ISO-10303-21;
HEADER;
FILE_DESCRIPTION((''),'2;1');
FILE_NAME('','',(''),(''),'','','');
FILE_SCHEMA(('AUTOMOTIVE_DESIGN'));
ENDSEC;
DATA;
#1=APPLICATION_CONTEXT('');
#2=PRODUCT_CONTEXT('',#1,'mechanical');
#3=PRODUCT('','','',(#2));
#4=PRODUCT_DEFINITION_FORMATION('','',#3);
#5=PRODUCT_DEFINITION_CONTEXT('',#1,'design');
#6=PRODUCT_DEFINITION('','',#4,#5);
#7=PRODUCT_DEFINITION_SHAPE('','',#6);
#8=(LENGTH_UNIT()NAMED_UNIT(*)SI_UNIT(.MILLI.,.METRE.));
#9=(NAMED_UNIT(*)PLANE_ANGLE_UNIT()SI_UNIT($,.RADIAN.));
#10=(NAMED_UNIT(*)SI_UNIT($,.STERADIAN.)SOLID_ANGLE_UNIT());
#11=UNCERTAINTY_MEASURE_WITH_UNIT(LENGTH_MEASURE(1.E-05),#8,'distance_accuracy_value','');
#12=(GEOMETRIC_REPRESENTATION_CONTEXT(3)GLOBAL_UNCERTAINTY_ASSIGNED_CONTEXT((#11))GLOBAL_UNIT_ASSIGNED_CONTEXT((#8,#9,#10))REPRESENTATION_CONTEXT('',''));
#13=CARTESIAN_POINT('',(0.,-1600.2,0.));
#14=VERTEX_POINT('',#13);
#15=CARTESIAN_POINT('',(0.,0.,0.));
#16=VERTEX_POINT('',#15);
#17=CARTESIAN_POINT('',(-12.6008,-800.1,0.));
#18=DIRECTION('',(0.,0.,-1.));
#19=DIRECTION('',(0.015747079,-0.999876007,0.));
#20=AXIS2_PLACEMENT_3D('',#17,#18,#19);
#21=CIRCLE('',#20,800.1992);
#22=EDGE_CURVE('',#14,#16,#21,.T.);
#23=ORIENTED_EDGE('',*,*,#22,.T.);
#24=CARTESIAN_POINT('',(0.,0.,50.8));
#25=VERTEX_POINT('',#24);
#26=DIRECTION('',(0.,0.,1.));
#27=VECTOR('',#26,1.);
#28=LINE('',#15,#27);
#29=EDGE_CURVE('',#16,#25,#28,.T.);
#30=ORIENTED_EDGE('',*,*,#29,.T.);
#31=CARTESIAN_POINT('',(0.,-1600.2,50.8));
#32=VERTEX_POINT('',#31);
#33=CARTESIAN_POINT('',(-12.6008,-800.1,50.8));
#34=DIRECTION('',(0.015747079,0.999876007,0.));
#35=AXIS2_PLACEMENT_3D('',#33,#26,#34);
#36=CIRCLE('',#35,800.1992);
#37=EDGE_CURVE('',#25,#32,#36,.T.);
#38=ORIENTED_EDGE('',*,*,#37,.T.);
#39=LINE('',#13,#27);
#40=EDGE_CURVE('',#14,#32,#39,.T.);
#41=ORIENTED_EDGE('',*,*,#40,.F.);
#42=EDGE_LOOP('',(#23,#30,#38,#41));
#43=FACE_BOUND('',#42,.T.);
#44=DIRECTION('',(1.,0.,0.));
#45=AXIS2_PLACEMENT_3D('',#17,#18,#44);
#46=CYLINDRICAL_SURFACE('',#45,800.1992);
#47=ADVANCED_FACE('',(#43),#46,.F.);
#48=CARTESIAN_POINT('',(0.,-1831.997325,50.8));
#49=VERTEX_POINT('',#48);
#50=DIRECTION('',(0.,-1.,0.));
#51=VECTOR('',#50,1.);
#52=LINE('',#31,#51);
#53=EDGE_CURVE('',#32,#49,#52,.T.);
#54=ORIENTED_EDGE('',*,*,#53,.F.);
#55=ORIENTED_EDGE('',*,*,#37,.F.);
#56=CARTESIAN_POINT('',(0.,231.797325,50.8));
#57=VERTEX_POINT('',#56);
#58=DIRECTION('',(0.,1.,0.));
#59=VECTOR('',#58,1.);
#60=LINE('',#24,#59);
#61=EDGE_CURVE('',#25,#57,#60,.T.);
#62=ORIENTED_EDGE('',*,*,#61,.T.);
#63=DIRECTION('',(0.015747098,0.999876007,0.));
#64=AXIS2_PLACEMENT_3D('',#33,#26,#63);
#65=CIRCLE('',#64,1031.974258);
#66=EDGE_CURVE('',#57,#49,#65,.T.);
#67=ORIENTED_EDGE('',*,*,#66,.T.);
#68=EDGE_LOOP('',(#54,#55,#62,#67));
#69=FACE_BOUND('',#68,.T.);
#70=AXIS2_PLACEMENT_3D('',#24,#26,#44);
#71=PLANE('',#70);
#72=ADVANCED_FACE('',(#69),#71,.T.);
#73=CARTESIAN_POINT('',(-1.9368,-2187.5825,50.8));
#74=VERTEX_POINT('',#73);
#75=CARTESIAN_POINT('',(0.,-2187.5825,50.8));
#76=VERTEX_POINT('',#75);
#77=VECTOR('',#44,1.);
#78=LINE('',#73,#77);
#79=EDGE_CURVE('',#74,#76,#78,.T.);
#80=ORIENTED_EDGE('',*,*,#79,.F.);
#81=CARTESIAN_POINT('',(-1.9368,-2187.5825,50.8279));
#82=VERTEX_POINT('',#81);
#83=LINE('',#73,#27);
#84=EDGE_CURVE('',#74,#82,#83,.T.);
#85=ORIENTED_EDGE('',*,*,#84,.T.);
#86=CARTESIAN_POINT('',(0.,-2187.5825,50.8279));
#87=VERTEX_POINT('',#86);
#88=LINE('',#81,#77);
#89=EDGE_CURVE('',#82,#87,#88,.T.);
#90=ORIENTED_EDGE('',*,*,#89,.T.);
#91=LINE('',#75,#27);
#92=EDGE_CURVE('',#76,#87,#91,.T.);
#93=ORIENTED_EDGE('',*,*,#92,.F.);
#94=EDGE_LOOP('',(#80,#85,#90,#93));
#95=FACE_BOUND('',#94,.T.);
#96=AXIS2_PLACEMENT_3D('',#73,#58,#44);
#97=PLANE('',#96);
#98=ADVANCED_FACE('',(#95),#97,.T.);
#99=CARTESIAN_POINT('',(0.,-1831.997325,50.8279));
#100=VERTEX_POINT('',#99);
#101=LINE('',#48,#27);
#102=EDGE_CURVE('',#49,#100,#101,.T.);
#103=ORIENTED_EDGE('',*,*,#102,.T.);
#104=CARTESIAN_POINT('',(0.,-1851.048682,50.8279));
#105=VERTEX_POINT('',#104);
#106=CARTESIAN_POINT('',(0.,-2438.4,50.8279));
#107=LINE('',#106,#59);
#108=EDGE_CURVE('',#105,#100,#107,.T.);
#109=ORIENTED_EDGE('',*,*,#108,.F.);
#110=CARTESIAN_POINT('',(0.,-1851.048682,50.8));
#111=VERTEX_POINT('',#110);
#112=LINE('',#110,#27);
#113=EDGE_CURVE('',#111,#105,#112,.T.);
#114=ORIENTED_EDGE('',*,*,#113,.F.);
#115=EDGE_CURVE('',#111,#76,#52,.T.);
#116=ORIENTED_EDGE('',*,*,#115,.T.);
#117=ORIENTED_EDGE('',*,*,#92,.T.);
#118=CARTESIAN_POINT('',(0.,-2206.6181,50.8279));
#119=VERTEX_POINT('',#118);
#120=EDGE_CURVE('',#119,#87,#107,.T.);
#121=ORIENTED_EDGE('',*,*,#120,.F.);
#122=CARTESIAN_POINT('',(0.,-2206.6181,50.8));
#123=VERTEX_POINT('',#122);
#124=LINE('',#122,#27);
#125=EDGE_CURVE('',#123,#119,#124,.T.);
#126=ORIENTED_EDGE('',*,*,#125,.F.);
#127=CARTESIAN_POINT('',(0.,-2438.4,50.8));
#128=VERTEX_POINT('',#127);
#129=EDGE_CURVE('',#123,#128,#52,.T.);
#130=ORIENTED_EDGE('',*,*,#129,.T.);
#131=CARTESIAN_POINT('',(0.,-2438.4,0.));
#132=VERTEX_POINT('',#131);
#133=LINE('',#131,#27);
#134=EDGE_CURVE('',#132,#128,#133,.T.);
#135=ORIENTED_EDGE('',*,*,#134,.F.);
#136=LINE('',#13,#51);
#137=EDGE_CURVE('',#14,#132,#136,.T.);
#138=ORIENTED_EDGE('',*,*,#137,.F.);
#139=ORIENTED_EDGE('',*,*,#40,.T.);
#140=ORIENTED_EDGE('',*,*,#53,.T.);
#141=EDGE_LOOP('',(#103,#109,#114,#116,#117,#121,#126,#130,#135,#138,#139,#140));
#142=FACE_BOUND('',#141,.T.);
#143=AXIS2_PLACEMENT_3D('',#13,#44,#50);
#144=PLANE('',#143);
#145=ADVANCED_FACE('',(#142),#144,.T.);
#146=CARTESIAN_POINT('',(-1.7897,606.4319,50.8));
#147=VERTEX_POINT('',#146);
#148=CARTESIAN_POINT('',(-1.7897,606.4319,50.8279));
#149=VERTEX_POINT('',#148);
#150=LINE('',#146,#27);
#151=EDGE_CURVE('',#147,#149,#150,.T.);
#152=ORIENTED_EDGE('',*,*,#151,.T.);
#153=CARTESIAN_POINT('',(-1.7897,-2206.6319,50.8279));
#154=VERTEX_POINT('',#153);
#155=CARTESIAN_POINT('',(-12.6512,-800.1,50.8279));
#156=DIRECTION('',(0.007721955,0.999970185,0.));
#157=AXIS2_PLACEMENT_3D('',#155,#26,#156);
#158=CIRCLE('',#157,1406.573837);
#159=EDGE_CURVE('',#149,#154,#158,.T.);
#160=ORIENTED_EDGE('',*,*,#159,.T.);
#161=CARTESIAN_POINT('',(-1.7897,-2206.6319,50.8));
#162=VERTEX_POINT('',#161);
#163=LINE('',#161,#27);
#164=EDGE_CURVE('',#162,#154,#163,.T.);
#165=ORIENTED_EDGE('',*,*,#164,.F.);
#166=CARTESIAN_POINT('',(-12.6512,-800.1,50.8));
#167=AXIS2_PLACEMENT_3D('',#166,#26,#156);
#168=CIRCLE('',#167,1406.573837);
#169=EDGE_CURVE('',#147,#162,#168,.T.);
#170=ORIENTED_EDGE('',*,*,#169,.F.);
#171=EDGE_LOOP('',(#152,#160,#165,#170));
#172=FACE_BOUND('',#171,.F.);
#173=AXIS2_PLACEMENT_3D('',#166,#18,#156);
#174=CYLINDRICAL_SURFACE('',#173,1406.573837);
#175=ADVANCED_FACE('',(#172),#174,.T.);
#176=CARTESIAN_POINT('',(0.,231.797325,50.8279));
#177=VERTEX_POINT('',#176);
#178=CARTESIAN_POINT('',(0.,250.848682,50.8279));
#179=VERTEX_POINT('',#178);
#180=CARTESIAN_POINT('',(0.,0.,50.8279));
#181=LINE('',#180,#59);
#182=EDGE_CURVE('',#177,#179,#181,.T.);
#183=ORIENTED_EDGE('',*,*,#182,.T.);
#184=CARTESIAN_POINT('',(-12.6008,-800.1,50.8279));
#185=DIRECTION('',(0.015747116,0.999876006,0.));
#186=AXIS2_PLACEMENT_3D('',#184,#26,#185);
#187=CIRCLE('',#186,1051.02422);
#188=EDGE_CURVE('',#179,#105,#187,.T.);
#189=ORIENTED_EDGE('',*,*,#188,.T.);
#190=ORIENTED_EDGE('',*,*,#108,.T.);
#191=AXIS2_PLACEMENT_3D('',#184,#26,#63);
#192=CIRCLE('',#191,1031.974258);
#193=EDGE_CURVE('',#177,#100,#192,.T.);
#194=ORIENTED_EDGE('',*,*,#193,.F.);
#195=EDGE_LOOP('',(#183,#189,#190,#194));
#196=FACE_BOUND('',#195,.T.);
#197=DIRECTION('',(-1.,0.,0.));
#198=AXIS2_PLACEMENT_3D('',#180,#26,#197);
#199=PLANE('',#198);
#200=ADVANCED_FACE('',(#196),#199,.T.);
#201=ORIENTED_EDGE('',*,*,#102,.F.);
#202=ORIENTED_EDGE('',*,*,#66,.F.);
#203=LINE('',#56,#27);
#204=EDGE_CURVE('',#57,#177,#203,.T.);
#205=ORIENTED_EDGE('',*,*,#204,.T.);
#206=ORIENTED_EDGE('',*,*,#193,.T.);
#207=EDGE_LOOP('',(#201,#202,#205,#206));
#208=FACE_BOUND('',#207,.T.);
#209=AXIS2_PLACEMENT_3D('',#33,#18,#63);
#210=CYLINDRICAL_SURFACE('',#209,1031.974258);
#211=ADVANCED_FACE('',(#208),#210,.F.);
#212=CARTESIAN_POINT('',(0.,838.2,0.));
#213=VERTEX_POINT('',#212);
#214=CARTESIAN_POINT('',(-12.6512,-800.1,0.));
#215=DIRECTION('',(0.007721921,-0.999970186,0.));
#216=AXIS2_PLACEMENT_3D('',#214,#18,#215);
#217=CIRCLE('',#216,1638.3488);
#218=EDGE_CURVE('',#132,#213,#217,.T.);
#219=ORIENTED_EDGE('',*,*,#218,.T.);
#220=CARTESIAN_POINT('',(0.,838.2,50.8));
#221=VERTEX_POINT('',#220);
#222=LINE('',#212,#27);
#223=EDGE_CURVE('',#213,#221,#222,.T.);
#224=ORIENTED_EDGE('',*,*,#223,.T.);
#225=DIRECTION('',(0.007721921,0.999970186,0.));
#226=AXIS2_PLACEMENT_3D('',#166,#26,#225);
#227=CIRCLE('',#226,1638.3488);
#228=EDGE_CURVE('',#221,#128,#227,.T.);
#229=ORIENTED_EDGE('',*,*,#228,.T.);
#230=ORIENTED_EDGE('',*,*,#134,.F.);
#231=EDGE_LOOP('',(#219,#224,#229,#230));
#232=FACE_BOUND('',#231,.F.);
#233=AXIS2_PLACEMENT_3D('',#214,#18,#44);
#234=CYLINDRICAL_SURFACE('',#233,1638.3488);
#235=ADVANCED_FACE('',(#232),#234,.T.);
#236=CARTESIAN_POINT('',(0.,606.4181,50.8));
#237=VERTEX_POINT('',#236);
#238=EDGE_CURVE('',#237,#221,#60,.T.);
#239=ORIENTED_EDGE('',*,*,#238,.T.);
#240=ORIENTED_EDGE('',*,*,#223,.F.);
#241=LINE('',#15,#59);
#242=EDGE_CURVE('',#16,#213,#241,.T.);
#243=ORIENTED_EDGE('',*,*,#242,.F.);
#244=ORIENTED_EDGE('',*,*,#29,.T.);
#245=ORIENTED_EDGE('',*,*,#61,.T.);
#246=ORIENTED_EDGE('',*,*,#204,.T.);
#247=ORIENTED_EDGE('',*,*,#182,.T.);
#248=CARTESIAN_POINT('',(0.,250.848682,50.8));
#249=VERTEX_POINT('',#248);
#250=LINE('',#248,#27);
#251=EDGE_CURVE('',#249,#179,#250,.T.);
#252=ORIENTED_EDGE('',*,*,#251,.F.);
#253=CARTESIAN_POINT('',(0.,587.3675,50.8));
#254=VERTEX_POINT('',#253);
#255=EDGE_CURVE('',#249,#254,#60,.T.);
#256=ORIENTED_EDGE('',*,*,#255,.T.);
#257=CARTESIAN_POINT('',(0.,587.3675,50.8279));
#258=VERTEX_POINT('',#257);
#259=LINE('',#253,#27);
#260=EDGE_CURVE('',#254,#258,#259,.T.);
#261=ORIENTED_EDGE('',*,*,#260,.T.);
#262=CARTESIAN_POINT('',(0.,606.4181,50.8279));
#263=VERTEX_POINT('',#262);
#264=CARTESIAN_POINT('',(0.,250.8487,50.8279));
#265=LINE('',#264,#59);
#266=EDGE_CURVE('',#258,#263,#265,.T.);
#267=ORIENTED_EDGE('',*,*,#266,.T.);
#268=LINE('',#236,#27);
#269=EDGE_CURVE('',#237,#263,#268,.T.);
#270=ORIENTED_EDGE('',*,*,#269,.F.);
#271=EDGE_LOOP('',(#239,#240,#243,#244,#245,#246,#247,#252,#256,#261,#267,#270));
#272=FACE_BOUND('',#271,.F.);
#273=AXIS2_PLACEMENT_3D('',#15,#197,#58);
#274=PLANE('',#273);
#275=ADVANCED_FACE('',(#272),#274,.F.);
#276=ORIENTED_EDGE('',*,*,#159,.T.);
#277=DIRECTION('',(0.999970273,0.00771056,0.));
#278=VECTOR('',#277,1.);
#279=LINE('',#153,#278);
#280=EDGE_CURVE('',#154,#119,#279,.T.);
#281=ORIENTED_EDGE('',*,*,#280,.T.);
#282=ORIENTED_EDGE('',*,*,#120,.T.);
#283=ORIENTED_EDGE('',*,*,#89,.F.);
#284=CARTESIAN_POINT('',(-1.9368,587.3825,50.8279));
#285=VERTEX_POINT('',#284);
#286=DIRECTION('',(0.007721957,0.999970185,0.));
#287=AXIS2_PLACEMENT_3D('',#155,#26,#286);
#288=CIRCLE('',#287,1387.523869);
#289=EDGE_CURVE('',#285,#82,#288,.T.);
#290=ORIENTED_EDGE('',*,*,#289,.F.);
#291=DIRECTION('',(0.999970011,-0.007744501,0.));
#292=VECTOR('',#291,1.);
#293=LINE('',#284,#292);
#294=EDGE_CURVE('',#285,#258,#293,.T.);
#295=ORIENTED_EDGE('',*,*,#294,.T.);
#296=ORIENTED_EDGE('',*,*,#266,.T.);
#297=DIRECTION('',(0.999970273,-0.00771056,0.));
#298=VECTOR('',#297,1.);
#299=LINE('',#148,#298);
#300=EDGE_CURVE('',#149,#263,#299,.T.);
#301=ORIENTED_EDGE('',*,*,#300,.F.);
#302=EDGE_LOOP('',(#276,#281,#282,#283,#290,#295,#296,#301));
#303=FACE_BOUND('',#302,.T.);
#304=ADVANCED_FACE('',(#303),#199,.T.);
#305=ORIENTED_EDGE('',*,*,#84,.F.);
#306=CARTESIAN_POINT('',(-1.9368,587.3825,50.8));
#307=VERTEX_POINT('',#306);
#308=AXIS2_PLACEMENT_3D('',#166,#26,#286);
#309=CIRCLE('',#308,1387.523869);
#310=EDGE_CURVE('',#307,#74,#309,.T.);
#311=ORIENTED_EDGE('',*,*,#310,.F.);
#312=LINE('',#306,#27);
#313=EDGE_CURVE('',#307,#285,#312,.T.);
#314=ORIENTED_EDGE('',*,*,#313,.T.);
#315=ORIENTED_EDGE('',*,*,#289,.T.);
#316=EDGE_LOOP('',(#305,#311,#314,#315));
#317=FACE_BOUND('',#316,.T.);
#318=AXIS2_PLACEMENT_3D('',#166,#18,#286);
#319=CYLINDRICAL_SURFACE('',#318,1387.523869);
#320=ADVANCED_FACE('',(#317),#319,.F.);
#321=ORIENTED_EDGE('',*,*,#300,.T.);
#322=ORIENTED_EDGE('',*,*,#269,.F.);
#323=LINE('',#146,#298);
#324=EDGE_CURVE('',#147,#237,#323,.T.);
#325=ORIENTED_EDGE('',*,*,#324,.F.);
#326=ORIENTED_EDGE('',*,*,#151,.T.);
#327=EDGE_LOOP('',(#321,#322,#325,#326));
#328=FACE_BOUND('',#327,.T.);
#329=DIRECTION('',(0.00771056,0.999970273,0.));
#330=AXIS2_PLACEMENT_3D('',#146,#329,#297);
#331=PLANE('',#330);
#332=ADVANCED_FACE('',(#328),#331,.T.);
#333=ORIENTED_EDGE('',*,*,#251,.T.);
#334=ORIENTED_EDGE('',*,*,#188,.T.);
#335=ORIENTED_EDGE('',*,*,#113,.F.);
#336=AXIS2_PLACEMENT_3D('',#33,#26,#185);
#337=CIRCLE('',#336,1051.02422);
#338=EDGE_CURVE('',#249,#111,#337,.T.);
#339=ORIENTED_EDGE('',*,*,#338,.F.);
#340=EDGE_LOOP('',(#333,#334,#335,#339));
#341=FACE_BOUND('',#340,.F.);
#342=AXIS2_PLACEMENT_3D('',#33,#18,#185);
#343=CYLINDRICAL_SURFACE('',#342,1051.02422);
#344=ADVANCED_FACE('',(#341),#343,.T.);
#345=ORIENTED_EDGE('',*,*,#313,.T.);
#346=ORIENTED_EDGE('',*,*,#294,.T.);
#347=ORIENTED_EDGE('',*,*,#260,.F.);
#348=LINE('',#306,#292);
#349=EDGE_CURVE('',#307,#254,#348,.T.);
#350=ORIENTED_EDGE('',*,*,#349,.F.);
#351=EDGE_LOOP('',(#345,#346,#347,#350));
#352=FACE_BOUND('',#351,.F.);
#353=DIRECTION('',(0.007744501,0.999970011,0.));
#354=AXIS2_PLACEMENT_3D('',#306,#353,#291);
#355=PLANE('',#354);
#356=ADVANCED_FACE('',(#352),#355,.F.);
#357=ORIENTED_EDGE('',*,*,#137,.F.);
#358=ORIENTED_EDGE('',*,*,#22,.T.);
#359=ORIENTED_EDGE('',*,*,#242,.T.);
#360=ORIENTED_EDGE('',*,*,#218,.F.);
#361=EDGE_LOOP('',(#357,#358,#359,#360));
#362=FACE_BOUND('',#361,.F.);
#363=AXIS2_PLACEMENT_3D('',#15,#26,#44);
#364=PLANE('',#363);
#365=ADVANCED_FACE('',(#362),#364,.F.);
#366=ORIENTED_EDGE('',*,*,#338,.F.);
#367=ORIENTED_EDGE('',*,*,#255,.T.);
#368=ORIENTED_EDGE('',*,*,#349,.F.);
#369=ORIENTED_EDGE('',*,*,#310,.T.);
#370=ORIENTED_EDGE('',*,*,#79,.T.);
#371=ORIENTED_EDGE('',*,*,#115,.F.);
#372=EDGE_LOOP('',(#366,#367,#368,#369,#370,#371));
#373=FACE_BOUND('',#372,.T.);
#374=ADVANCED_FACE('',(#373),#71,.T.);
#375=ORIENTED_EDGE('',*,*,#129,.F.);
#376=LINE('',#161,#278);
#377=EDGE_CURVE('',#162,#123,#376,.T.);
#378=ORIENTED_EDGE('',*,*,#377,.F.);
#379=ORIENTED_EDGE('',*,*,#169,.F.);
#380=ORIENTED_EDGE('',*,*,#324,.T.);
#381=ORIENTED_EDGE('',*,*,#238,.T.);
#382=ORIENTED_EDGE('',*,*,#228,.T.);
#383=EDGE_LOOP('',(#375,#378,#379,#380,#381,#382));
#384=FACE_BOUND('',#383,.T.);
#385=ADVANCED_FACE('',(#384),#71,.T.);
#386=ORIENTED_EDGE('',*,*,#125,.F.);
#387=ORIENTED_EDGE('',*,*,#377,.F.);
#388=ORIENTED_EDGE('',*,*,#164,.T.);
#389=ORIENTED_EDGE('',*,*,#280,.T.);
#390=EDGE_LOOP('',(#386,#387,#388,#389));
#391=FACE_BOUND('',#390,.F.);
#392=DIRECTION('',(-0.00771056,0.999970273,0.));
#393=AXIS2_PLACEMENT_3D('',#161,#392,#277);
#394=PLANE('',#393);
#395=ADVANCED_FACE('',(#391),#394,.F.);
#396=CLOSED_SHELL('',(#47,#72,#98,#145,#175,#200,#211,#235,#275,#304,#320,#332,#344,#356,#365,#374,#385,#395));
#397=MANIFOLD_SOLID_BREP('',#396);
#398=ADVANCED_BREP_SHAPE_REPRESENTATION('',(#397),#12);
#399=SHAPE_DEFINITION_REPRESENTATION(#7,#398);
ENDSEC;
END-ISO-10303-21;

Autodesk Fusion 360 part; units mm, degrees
sketch "Sketch1" plane through (0, 0, 0) normal (0, 0, 1) x (1, 0, 0)
  line L0 (0, 0) -> (0, -1600.2)
  line L1 (0, -800.1) -> (-812.8, -800.1)
  line L2 (0, -800.1) -> (-1651, -800.1)
  line L3 (0, -1600.2) -> (0, -2438.4)
  line L4 (0, -2438.4) -> (0, -1600.2)
  line L5 (0, 0) -> (0, 838.2)
  circle A0 centre (-12.6008, -800.1) radius 800.1992
  circle A1 centre (-12.6512, -800.1) radius 1638.3488
  dimension "d5" = 838.2
  dimension "d6" = 838.2
extrude "Extrude1" add sketch "Sketch1" along normal blind 50.8 contours L2 L5 A0 A1 | L2 L3 L4 A0 A1
sketch "Sketch2" plane through (0, 0, 50.8) normal (0, 0, 1) x (-1, 0, 0)
  line L0 (0, 0) -> (0, -838.2)
  arc A0 (0, -838.2) -> (0, 2438.4) centre (12.6512, 800.1) ccw
  line L1 (0, 2438.4) -> (0, 1600.2)
  arc A1 (0, 0) -> (0, 1600.2) centre (12.6008, 800.1) ccw
  arc A2 (-3.9498, -250.7939) -> (-3.9498, 1850.9939) centre (12.6008, 800.1) ccw
  arc A3 (-3.6498, -231.7463) -> (-3.6498, 1831.9463) centre (12.6008, 800.1) ccw
  arc A4 (1.9368, -587.3825) -> (1.9368, 2187.5825) centre (12.6512, 800.1) ccw
  arc A5 (1.7897, -606.4319) -> (1.7897, 2206.6319) centre (12.6512, 800.1) ccw
  line L2 (1.9368, 2187.5825) -> (0, 2187.5675)
  line L3 (1.7897, 2206.6319) -> (0, 2206.6181)
  line L4 (1.9368, -587.3825) -> (0, -587.3675)
  line L5 (1.7897, -606.4319) -> (0, -606.4181)
extrude "Extrude2" add sketch "Sketch2" along normal blind 0.0279 contours L0 L1 A2 A3
sketch "Sketch3" plane through (0, 0, 50.8) normal (0, 0, 1) x (-1, 0, 0)
  arc A0 (0, -250.8487) -> (0, 1851.0487) centre (12.6008, 800.1) ccw
  line L0 (0, -250.8487) -> (0, -838.2)
  arc A1 (0, -838.2) -> (0, 2438.4) centre (12.6512, 800.1) ccw
  line L1 (0, 2438.4) -> (0, 1851.0487)
  arc A2 (1.9368, -587.3825) -> (1.9368, 2187.5825) centre (12.6512, 800.1) ccw
  arc A3 (1.7897, -606.4319) -> (1.7897, 2206.6319) centre (12.6512, 800.1) ccw
  line L2 (1.7897, -606.4319) -> (0, -606.4181)
  line L3 (1.9368, -587.3825) -> (0, -587.3675)
  line L4 (1.9368, 2187.5825) -> (0, 2187.5825)
  line L5 (1.7897, 2206.6319) -> (0, 2206.6181)
extrude "Extrude3" add sketch "Sketch3" along normal blind 0.0279 contours L0 L1 A2 A3 L2 L3 L4 L5
